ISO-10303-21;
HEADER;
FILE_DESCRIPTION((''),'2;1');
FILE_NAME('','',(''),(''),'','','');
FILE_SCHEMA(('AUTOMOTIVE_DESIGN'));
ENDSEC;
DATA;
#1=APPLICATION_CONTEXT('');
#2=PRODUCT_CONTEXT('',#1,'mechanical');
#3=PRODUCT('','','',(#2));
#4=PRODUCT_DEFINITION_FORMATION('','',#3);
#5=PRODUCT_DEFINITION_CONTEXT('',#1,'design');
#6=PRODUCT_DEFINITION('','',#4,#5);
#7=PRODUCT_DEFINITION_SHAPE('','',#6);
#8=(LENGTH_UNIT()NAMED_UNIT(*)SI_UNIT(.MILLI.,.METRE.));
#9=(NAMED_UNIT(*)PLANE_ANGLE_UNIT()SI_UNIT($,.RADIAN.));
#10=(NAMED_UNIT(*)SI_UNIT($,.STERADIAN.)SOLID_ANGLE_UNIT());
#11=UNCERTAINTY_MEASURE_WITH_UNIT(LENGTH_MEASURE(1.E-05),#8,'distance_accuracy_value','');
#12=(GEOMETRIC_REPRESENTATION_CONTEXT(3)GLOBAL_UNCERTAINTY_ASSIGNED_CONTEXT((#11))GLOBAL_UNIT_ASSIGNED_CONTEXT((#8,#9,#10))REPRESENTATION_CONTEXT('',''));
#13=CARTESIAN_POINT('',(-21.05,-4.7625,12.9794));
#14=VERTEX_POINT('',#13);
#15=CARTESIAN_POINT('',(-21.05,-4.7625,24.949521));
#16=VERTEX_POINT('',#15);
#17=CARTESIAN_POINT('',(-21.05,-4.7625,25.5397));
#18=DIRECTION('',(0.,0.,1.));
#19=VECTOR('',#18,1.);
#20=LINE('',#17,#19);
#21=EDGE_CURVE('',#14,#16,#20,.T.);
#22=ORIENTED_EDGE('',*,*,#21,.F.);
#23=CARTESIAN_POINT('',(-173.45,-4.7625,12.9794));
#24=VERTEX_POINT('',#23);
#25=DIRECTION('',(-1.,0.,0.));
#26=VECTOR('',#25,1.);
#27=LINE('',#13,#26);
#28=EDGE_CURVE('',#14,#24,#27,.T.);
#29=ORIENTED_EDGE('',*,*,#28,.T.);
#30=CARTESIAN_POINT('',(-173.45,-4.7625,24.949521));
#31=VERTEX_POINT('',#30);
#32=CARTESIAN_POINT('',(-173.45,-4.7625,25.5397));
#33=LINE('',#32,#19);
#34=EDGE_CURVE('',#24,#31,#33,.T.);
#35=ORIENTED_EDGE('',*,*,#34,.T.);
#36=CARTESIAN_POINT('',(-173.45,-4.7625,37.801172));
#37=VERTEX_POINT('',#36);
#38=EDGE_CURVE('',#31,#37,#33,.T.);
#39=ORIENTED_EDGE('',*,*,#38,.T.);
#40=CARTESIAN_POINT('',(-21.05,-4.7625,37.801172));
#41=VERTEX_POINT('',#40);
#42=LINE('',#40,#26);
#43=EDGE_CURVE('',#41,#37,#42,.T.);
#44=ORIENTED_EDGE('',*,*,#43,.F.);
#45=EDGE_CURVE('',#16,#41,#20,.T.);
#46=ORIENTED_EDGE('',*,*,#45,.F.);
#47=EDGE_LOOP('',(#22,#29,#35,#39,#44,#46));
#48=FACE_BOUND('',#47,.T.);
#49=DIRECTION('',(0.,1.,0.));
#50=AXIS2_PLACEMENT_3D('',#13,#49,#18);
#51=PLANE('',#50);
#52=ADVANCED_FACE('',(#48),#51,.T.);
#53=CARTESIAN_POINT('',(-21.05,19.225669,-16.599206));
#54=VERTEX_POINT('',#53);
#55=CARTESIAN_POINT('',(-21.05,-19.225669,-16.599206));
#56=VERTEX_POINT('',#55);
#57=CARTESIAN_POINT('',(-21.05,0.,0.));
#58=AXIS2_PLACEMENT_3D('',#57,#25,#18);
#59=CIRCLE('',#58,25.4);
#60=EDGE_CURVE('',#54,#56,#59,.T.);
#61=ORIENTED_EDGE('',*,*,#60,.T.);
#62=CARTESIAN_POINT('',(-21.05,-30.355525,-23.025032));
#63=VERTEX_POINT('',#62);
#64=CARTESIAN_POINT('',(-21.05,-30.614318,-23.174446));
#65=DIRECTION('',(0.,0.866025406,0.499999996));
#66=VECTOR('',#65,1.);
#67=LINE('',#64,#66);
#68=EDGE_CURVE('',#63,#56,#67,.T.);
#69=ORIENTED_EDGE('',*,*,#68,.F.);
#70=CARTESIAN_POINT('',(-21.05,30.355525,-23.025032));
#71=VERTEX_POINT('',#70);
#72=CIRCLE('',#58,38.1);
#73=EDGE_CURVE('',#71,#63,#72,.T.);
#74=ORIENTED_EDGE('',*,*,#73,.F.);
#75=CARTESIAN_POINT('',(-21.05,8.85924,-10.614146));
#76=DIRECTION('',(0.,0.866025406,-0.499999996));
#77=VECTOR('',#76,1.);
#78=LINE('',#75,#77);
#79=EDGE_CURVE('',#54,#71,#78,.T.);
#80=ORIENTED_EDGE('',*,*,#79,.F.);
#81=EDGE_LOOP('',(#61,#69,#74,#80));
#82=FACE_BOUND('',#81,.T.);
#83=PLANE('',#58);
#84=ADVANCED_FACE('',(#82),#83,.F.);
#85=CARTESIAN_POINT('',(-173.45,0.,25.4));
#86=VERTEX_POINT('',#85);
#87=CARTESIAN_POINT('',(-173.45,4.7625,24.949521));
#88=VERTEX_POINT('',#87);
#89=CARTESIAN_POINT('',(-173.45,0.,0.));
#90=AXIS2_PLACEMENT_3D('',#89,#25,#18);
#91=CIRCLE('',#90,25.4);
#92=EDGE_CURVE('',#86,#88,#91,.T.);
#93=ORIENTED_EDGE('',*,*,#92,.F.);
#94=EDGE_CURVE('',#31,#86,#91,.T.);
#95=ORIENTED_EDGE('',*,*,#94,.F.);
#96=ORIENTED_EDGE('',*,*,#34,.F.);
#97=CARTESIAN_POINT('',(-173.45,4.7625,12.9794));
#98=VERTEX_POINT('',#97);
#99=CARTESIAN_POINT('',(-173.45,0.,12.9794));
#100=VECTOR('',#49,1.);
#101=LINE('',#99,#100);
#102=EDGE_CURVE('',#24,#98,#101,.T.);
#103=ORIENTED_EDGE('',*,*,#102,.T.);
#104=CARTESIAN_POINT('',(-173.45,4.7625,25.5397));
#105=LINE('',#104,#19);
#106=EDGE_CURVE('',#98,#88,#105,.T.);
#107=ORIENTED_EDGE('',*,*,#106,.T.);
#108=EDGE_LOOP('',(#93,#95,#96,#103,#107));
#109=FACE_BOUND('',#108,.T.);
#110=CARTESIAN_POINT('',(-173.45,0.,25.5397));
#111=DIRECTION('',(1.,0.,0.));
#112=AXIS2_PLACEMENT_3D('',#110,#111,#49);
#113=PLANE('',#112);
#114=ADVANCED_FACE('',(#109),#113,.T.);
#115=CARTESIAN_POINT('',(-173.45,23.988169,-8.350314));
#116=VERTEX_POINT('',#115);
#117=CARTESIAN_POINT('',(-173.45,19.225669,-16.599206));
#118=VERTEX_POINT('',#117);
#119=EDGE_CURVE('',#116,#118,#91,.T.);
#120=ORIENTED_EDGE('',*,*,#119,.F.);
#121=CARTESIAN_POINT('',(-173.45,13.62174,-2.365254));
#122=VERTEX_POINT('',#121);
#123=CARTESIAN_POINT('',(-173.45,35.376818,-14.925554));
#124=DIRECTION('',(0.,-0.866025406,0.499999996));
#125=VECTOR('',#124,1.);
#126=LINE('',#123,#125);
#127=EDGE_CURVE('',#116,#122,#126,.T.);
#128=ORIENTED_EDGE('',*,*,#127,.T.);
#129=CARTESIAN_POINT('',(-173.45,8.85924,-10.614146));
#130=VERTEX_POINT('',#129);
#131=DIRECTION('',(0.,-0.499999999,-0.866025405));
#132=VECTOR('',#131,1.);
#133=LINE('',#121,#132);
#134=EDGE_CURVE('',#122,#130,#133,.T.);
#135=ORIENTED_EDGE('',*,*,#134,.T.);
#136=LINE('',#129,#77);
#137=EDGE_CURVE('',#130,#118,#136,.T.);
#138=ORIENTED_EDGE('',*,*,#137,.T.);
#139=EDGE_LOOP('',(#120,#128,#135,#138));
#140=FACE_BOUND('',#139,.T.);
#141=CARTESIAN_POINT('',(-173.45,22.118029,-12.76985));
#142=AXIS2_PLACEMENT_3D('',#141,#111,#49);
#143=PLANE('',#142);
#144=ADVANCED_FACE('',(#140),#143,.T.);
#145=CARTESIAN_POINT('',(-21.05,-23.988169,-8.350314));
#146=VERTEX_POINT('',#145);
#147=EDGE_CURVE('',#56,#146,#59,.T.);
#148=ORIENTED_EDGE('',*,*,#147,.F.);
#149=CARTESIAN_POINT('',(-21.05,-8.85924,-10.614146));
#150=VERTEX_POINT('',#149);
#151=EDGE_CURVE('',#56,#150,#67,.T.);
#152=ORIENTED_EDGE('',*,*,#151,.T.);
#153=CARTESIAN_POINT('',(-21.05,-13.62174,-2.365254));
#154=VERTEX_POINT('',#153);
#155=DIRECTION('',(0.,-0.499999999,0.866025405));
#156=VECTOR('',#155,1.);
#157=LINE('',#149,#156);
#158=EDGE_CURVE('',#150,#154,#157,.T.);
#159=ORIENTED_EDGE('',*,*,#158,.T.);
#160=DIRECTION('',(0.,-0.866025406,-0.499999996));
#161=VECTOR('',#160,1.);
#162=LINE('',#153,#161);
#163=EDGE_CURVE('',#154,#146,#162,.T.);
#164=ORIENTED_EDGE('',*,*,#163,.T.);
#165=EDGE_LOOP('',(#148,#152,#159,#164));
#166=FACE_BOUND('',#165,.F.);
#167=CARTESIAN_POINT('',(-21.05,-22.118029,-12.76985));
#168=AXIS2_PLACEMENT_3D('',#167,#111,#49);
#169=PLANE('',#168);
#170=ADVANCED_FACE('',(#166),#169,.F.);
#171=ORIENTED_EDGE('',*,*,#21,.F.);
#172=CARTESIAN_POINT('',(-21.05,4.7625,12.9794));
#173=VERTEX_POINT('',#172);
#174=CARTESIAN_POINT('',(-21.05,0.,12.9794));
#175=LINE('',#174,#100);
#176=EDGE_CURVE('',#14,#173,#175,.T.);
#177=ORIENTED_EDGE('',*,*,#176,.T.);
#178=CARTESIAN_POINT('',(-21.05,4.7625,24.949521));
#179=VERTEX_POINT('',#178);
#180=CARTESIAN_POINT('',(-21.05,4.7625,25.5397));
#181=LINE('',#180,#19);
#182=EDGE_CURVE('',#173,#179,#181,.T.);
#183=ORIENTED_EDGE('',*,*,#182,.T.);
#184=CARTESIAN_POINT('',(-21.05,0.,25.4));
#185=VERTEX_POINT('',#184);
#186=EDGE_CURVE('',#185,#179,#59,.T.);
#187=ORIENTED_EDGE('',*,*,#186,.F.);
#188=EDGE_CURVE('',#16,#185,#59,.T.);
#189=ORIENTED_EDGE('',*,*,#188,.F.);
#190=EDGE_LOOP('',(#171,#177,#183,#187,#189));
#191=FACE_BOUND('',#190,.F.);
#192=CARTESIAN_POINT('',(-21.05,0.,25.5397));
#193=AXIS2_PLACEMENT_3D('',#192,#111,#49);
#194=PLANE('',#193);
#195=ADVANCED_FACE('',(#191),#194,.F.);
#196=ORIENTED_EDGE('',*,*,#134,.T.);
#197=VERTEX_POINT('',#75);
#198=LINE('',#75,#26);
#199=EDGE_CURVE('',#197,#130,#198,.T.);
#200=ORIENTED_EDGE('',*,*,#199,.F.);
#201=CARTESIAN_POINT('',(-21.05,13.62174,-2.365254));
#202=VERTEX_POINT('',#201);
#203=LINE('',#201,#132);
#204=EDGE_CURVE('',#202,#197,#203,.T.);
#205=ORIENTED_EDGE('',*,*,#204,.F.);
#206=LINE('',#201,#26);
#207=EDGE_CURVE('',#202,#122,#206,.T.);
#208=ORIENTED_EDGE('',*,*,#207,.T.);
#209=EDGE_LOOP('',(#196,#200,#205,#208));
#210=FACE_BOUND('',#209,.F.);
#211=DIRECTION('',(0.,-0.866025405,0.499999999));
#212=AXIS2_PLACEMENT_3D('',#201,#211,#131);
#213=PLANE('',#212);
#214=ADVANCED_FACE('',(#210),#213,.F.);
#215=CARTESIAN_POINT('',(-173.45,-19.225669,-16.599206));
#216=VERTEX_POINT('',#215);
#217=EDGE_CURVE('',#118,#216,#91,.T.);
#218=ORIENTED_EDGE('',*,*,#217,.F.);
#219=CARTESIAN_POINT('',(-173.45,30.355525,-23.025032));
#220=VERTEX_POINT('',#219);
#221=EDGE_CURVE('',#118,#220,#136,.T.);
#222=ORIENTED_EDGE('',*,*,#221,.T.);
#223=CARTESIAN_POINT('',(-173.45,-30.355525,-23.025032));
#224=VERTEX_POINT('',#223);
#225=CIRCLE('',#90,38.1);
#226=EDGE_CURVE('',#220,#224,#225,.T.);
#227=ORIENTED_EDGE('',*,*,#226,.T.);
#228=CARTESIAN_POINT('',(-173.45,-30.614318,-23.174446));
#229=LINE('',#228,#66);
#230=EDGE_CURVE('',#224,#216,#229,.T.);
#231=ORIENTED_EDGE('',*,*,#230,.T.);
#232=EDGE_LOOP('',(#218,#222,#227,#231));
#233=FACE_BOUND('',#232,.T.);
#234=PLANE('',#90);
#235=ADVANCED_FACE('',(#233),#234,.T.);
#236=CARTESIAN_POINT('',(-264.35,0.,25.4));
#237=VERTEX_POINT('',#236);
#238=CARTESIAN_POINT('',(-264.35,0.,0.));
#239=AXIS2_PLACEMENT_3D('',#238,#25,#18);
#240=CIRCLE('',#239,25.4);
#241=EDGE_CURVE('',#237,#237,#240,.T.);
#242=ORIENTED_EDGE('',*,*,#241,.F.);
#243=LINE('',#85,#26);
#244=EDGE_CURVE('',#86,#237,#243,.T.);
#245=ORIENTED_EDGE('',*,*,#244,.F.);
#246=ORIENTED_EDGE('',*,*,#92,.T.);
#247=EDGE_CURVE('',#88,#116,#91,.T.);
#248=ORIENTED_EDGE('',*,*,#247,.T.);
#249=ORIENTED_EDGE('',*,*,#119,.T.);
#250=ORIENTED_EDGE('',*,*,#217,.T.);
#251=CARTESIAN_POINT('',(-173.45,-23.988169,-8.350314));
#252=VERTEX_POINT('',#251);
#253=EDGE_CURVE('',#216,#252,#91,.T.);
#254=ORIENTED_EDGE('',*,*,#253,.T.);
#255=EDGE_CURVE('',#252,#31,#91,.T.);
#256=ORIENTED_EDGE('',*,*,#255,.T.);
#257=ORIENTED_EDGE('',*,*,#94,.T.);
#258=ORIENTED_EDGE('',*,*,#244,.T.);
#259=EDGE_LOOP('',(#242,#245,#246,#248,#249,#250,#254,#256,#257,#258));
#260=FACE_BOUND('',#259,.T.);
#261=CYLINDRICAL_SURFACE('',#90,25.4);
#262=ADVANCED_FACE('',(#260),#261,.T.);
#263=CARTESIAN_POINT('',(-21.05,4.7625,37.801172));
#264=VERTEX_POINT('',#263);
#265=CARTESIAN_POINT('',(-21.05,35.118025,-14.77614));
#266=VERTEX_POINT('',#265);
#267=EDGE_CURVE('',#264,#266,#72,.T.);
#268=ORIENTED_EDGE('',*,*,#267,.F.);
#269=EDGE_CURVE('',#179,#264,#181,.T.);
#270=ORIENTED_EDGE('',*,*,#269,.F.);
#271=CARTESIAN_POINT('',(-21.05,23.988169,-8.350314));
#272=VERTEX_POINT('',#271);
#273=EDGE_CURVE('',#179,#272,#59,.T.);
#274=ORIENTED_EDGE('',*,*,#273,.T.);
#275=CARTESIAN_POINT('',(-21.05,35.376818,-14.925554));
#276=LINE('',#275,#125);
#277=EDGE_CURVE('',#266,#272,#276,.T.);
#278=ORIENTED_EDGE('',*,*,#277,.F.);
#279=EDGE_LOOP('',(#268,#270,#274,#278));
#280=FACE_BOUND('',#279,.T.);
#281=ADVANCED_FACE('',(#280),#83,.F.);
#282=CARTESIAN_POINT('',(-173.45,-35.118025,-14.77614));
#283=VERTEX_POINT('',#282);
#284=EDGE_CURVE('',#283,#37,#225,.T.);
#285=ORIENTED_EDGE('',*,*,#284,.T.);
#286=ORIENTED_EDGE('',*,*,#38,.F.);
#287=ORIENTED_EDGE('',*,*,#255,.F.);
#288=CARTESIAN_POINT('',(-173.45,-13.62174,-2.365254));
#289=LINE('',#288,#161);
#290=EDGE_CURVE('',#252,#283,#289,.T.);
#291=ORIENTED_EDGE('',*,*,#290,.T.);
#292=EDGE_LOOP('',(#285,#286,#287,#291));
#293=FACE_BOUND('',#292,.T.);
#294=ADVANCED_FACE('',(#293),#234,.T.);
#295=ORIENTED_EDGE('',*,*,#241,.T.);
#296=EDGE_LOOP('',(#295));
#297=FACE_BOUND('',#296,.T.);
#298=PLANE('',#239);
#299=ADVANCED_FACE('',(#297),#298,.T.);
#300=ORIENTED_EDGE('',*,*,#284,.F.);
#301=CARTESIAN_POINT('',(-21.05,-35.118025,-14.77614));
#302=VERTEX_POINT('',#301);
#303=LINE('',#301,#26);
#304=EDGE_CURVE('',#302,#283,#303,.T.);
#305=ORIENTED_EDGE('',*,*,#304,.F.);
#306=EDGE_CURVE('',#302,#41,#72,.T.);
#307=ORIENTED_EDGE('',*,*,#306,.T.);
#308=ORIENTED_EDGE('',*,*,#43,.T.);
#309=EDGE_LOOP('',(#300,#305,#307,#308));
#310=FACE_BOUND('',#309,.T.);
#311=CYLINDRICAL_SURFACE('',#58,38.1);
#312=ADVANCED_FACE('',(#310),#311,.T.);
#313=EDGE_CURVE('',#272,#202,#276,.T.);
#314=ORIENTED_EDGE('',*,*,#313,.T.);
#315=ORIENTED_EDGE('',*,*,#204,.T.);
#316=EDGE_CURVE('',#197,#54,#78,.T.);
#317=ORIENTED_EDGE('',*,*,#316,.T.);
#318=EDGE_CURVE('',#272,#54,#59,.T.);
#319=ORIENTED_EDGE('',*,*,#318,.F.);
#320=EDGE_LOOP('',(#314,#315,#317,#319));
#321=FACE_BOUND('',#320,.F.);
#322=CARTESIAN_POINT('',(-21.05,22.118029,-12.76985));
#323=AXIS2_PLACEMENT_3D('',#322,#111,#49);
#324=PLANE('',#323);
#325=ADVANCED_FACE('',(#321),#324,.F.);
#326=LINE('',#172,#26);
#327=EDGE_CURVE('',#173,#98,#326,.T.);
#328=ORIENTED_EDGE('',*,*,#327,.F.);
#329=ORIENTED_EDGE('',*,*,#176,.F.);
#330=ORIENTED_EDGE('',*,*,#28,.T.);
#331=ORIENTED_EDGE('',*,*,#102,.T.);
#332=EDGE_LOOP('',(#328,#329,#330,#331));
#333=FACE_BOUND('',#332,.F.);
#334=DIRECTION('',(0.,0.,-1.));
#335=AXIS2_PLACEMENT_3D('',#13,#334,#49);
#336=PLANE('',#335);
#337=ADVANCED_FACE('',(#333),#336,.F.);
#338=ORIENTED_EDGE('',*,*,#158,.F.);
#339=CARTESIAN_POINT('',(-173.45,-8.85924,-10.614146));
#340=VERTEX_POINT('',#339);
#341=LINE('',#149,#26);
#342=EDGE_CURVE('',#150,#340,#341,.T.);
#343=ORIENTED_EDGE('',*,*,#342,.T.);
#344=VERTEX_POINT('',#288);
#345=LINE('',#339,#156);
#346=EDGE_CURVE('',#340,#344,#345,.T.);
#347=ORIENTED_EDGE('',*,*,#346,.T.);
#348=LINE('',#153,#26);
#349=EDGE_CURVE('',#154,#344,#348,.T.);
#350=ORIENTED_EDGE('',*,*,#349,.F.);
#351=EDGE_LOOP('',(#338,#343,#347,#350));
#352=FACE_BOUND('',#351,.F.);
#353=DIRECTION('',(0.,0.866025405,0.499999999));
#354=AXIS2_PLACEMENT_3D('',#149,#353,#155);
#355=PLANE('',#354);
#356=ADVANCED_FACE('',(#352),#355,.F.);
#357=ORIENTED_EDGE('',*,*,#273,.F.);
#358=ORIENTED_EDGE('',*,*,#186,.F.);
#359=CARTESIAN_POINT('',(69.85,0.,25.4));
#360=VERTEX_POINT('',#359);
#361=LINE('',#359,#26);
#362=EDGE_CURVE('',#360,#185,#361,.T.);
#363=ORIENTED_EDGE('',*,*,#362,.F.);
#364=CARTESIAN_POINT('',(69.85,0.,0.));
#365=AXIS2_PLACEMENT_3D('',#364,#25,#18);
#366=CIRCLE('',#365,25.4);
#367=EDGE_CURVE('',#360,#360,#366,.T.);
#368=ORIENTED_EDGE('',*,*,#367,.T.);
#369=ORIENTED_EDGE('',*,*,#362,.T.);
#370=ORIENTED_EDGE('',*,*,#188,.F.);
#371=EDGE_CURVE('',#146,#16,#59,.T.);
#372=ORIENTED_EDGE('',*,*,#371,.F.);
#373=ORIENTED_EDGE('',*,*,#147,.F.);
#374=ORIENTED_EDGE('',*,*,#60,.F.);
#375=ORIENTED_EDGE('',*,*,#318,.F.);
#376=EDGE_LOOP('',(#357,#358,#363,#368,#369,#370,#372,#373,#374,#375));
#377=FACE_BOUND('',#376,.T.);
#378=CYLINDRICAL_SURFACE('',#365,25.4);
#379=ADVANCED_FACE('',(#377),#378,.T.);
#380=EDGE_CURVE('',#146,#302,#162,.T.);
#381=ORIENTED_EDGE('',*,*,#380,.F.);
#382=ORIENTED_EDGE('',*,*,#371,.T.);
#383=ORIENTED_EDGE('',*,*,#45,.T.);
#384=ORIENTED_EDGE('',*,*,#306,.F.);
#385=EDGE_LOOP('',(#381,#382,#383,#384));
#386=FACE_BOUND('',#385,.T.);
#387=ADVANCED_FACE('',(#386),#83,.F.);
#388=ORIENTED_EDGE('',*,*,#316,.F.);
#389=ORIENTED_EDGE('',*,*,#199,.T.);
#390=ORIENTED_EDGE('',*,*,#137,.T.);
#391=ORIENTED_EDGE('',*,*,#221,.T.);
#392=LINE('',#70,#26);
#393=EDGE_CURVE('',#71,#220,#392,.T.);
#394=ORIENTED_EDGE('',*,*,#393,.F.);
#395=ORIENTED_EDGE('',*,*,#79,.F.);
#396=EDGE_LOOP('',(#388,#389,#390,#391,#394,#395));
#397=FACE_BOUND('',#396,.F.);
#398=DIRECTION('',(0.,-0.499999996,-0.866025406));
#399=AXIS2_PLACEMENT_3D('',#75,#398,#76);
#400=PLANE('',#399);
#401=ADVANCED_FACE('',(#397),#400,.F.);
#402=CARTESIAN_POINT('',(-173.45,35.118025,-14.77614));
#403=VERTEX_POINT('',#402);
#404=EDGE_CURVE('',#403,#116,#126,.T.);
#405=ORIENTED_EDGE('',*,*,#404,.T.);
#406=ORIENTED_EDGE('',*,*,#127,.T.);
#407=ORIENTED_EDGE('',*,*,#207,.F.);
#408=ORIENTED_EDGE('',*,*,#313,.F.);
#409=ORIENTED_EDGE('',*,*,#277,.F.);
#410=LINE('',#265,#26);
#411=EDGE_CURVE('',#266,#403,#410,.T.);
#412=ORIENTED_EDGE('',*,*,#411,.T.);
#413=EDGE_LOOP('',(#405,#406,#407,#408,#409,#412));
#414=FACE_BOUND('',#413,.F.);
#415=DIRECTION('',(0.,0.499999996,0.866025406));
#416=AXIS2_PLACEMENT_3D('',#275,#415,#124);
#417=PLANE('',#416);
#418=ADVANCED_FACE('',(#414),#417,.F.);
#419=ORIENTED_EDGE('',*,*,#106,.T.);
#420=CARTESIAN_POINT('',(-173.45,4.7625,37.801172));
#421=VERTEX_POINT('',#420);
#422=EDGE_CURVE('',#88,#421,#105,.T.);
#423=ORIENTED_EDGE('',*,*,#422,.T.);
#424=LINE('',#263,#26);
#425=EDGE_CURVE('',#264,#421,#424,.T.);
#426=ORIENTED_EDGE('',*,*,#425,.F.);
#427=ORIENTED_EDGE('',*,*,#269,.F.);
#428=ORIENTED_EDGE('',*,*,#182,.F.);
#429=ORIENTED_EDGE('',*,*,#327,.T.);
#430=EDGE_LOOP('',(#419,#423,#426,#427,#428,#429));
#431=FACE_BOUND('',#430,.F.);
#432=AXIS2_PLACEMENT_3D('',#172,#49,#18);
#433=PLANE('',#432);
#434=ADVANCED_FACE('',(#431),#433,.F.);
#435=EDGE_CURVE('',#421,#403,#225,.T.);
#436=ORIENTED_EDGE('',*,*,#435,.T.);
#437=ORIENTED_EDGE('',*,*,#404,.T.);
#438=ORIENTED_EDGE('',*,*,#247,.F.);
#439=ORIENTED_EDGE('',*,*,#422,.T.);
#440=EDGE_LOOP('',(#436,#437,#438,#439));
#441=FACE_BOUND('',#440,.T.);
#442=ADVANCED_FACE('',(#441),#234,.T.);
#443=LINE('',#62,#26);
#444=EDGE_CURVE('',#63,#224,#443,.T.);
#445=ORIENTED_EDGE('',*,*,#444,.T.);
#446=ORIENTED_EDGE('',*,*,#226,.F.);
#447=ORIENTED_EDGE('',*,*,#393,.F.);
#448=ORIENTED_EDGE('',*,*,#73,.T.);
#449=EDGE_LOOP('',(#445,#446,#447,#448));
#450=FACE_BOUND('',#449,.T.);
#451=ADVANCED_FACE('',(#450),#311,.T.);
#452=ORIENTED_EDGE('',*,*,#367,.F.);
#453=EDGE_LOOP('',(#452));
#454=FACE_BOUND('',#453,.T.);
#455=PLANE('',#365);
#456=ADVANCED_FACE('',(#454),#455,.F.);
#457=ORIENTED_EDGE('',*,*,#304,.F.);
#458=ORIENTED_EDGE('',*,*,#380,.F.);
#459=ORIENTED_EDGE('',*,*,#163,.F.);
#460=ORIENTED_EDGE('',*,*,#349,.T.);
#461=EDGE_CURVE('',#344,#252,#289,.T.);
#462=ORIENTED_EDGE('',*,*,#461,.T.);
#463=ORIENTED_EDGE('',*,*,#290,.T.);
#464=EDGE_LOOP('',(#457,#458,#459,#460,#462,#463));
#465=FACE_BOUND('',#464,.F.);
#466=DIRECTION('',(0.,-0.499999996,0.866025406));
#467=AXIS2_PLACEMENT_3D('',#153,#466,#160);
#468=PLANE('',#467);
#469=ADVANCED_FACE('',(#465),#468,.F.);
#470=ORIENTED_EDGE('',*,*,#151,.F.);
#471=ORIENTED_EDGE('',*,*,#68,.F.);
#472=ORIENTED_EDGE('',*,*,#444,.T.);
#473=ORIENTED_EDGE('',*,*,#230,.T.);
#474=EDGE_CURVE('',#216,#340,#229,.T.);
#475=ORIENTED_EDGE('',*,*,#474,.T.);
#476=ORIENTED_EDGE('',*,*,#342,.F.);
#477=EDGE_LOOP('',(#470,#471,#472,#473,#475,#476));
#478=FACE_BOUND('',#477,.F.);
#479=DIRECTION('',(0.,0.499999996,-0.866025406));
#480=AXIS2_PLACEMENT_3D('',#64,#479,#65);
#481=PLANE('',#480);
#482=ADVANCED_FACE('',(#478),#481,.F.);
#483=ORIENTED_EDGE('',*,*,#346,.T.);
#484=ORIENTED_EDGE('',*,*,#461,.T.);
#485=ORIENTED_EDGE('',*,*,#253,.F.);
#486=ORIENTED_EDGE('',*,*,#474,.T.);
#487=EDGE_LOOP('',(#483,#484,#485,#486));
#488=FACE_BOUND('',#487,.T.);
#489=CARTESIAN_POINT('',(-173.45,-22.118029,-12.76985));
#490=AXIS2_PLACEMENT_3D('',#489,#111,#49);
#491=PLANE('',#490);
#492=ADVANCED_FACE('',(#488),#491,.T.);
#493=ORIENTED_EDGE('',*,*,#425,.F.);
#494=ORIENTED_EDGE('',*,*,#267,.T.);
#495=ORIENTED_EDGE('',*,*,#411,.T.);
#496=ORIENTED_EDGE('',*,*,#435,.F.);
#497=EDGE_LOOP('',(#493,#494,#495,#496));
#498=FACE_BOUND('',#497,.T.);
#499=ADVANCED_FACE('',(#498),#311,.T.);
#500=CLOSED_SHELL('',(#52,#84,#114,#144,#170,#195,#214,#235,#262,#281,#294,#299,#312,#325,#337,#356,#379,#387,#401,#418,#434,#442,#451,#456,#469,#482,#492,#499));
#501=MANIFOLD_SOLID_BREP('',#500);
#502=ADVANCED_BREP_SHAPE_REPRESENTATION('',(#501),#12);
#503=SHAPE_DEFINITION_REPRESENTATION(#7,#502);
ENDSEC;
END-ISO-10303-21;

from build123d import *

# Parameters (mm, degrees)
F3_W     = 9.525
F3_H     = 25.1206
F4_DEPTH = 152.4


with BuildPart() as f1:
    # F0 (on Front) → F1 (revolve)
    with BuildSketch(Plane.XZ):
        Polygon((0, 0), (69.85, 0), (69.85, 25.4), (-21.05, 25.4), (-21.05, 38.1), (-97.25, 38.1), (-97.25, 0), align=None)
        Polygon((-264.35, 0), (-97.25, 0), (-97.25, 38.1), (-173.45, 38.1), (-173.45, 25.4), (-264.35, 25.4), align=None)
    revolve(axis=Axis((-97.25, 0, 0), (-1, 0, 0)))

    # F3 (on face) → F4 (cut, through all)
    with BuildSketch(Plane.YZ.offset(-21.05)):
        with Locations((0, 25.5397)):
            Rectangle(F3_W, F3_H)
        Polygon((-30.614318, -23.174446), (-8.85924, -10.614146), (-13.62174, -2.365254), (-35.376818, -14.925554), align=None)
        Polygon((35.376818, -14.925554), (13.62174, -2.365254), (8.85924, -10.614146), (30.614318, -23.174446), align=None)
    extrude(amount=-F4_DEPTH, mode=Mode.SUBTRACT)


solid = f1.part
